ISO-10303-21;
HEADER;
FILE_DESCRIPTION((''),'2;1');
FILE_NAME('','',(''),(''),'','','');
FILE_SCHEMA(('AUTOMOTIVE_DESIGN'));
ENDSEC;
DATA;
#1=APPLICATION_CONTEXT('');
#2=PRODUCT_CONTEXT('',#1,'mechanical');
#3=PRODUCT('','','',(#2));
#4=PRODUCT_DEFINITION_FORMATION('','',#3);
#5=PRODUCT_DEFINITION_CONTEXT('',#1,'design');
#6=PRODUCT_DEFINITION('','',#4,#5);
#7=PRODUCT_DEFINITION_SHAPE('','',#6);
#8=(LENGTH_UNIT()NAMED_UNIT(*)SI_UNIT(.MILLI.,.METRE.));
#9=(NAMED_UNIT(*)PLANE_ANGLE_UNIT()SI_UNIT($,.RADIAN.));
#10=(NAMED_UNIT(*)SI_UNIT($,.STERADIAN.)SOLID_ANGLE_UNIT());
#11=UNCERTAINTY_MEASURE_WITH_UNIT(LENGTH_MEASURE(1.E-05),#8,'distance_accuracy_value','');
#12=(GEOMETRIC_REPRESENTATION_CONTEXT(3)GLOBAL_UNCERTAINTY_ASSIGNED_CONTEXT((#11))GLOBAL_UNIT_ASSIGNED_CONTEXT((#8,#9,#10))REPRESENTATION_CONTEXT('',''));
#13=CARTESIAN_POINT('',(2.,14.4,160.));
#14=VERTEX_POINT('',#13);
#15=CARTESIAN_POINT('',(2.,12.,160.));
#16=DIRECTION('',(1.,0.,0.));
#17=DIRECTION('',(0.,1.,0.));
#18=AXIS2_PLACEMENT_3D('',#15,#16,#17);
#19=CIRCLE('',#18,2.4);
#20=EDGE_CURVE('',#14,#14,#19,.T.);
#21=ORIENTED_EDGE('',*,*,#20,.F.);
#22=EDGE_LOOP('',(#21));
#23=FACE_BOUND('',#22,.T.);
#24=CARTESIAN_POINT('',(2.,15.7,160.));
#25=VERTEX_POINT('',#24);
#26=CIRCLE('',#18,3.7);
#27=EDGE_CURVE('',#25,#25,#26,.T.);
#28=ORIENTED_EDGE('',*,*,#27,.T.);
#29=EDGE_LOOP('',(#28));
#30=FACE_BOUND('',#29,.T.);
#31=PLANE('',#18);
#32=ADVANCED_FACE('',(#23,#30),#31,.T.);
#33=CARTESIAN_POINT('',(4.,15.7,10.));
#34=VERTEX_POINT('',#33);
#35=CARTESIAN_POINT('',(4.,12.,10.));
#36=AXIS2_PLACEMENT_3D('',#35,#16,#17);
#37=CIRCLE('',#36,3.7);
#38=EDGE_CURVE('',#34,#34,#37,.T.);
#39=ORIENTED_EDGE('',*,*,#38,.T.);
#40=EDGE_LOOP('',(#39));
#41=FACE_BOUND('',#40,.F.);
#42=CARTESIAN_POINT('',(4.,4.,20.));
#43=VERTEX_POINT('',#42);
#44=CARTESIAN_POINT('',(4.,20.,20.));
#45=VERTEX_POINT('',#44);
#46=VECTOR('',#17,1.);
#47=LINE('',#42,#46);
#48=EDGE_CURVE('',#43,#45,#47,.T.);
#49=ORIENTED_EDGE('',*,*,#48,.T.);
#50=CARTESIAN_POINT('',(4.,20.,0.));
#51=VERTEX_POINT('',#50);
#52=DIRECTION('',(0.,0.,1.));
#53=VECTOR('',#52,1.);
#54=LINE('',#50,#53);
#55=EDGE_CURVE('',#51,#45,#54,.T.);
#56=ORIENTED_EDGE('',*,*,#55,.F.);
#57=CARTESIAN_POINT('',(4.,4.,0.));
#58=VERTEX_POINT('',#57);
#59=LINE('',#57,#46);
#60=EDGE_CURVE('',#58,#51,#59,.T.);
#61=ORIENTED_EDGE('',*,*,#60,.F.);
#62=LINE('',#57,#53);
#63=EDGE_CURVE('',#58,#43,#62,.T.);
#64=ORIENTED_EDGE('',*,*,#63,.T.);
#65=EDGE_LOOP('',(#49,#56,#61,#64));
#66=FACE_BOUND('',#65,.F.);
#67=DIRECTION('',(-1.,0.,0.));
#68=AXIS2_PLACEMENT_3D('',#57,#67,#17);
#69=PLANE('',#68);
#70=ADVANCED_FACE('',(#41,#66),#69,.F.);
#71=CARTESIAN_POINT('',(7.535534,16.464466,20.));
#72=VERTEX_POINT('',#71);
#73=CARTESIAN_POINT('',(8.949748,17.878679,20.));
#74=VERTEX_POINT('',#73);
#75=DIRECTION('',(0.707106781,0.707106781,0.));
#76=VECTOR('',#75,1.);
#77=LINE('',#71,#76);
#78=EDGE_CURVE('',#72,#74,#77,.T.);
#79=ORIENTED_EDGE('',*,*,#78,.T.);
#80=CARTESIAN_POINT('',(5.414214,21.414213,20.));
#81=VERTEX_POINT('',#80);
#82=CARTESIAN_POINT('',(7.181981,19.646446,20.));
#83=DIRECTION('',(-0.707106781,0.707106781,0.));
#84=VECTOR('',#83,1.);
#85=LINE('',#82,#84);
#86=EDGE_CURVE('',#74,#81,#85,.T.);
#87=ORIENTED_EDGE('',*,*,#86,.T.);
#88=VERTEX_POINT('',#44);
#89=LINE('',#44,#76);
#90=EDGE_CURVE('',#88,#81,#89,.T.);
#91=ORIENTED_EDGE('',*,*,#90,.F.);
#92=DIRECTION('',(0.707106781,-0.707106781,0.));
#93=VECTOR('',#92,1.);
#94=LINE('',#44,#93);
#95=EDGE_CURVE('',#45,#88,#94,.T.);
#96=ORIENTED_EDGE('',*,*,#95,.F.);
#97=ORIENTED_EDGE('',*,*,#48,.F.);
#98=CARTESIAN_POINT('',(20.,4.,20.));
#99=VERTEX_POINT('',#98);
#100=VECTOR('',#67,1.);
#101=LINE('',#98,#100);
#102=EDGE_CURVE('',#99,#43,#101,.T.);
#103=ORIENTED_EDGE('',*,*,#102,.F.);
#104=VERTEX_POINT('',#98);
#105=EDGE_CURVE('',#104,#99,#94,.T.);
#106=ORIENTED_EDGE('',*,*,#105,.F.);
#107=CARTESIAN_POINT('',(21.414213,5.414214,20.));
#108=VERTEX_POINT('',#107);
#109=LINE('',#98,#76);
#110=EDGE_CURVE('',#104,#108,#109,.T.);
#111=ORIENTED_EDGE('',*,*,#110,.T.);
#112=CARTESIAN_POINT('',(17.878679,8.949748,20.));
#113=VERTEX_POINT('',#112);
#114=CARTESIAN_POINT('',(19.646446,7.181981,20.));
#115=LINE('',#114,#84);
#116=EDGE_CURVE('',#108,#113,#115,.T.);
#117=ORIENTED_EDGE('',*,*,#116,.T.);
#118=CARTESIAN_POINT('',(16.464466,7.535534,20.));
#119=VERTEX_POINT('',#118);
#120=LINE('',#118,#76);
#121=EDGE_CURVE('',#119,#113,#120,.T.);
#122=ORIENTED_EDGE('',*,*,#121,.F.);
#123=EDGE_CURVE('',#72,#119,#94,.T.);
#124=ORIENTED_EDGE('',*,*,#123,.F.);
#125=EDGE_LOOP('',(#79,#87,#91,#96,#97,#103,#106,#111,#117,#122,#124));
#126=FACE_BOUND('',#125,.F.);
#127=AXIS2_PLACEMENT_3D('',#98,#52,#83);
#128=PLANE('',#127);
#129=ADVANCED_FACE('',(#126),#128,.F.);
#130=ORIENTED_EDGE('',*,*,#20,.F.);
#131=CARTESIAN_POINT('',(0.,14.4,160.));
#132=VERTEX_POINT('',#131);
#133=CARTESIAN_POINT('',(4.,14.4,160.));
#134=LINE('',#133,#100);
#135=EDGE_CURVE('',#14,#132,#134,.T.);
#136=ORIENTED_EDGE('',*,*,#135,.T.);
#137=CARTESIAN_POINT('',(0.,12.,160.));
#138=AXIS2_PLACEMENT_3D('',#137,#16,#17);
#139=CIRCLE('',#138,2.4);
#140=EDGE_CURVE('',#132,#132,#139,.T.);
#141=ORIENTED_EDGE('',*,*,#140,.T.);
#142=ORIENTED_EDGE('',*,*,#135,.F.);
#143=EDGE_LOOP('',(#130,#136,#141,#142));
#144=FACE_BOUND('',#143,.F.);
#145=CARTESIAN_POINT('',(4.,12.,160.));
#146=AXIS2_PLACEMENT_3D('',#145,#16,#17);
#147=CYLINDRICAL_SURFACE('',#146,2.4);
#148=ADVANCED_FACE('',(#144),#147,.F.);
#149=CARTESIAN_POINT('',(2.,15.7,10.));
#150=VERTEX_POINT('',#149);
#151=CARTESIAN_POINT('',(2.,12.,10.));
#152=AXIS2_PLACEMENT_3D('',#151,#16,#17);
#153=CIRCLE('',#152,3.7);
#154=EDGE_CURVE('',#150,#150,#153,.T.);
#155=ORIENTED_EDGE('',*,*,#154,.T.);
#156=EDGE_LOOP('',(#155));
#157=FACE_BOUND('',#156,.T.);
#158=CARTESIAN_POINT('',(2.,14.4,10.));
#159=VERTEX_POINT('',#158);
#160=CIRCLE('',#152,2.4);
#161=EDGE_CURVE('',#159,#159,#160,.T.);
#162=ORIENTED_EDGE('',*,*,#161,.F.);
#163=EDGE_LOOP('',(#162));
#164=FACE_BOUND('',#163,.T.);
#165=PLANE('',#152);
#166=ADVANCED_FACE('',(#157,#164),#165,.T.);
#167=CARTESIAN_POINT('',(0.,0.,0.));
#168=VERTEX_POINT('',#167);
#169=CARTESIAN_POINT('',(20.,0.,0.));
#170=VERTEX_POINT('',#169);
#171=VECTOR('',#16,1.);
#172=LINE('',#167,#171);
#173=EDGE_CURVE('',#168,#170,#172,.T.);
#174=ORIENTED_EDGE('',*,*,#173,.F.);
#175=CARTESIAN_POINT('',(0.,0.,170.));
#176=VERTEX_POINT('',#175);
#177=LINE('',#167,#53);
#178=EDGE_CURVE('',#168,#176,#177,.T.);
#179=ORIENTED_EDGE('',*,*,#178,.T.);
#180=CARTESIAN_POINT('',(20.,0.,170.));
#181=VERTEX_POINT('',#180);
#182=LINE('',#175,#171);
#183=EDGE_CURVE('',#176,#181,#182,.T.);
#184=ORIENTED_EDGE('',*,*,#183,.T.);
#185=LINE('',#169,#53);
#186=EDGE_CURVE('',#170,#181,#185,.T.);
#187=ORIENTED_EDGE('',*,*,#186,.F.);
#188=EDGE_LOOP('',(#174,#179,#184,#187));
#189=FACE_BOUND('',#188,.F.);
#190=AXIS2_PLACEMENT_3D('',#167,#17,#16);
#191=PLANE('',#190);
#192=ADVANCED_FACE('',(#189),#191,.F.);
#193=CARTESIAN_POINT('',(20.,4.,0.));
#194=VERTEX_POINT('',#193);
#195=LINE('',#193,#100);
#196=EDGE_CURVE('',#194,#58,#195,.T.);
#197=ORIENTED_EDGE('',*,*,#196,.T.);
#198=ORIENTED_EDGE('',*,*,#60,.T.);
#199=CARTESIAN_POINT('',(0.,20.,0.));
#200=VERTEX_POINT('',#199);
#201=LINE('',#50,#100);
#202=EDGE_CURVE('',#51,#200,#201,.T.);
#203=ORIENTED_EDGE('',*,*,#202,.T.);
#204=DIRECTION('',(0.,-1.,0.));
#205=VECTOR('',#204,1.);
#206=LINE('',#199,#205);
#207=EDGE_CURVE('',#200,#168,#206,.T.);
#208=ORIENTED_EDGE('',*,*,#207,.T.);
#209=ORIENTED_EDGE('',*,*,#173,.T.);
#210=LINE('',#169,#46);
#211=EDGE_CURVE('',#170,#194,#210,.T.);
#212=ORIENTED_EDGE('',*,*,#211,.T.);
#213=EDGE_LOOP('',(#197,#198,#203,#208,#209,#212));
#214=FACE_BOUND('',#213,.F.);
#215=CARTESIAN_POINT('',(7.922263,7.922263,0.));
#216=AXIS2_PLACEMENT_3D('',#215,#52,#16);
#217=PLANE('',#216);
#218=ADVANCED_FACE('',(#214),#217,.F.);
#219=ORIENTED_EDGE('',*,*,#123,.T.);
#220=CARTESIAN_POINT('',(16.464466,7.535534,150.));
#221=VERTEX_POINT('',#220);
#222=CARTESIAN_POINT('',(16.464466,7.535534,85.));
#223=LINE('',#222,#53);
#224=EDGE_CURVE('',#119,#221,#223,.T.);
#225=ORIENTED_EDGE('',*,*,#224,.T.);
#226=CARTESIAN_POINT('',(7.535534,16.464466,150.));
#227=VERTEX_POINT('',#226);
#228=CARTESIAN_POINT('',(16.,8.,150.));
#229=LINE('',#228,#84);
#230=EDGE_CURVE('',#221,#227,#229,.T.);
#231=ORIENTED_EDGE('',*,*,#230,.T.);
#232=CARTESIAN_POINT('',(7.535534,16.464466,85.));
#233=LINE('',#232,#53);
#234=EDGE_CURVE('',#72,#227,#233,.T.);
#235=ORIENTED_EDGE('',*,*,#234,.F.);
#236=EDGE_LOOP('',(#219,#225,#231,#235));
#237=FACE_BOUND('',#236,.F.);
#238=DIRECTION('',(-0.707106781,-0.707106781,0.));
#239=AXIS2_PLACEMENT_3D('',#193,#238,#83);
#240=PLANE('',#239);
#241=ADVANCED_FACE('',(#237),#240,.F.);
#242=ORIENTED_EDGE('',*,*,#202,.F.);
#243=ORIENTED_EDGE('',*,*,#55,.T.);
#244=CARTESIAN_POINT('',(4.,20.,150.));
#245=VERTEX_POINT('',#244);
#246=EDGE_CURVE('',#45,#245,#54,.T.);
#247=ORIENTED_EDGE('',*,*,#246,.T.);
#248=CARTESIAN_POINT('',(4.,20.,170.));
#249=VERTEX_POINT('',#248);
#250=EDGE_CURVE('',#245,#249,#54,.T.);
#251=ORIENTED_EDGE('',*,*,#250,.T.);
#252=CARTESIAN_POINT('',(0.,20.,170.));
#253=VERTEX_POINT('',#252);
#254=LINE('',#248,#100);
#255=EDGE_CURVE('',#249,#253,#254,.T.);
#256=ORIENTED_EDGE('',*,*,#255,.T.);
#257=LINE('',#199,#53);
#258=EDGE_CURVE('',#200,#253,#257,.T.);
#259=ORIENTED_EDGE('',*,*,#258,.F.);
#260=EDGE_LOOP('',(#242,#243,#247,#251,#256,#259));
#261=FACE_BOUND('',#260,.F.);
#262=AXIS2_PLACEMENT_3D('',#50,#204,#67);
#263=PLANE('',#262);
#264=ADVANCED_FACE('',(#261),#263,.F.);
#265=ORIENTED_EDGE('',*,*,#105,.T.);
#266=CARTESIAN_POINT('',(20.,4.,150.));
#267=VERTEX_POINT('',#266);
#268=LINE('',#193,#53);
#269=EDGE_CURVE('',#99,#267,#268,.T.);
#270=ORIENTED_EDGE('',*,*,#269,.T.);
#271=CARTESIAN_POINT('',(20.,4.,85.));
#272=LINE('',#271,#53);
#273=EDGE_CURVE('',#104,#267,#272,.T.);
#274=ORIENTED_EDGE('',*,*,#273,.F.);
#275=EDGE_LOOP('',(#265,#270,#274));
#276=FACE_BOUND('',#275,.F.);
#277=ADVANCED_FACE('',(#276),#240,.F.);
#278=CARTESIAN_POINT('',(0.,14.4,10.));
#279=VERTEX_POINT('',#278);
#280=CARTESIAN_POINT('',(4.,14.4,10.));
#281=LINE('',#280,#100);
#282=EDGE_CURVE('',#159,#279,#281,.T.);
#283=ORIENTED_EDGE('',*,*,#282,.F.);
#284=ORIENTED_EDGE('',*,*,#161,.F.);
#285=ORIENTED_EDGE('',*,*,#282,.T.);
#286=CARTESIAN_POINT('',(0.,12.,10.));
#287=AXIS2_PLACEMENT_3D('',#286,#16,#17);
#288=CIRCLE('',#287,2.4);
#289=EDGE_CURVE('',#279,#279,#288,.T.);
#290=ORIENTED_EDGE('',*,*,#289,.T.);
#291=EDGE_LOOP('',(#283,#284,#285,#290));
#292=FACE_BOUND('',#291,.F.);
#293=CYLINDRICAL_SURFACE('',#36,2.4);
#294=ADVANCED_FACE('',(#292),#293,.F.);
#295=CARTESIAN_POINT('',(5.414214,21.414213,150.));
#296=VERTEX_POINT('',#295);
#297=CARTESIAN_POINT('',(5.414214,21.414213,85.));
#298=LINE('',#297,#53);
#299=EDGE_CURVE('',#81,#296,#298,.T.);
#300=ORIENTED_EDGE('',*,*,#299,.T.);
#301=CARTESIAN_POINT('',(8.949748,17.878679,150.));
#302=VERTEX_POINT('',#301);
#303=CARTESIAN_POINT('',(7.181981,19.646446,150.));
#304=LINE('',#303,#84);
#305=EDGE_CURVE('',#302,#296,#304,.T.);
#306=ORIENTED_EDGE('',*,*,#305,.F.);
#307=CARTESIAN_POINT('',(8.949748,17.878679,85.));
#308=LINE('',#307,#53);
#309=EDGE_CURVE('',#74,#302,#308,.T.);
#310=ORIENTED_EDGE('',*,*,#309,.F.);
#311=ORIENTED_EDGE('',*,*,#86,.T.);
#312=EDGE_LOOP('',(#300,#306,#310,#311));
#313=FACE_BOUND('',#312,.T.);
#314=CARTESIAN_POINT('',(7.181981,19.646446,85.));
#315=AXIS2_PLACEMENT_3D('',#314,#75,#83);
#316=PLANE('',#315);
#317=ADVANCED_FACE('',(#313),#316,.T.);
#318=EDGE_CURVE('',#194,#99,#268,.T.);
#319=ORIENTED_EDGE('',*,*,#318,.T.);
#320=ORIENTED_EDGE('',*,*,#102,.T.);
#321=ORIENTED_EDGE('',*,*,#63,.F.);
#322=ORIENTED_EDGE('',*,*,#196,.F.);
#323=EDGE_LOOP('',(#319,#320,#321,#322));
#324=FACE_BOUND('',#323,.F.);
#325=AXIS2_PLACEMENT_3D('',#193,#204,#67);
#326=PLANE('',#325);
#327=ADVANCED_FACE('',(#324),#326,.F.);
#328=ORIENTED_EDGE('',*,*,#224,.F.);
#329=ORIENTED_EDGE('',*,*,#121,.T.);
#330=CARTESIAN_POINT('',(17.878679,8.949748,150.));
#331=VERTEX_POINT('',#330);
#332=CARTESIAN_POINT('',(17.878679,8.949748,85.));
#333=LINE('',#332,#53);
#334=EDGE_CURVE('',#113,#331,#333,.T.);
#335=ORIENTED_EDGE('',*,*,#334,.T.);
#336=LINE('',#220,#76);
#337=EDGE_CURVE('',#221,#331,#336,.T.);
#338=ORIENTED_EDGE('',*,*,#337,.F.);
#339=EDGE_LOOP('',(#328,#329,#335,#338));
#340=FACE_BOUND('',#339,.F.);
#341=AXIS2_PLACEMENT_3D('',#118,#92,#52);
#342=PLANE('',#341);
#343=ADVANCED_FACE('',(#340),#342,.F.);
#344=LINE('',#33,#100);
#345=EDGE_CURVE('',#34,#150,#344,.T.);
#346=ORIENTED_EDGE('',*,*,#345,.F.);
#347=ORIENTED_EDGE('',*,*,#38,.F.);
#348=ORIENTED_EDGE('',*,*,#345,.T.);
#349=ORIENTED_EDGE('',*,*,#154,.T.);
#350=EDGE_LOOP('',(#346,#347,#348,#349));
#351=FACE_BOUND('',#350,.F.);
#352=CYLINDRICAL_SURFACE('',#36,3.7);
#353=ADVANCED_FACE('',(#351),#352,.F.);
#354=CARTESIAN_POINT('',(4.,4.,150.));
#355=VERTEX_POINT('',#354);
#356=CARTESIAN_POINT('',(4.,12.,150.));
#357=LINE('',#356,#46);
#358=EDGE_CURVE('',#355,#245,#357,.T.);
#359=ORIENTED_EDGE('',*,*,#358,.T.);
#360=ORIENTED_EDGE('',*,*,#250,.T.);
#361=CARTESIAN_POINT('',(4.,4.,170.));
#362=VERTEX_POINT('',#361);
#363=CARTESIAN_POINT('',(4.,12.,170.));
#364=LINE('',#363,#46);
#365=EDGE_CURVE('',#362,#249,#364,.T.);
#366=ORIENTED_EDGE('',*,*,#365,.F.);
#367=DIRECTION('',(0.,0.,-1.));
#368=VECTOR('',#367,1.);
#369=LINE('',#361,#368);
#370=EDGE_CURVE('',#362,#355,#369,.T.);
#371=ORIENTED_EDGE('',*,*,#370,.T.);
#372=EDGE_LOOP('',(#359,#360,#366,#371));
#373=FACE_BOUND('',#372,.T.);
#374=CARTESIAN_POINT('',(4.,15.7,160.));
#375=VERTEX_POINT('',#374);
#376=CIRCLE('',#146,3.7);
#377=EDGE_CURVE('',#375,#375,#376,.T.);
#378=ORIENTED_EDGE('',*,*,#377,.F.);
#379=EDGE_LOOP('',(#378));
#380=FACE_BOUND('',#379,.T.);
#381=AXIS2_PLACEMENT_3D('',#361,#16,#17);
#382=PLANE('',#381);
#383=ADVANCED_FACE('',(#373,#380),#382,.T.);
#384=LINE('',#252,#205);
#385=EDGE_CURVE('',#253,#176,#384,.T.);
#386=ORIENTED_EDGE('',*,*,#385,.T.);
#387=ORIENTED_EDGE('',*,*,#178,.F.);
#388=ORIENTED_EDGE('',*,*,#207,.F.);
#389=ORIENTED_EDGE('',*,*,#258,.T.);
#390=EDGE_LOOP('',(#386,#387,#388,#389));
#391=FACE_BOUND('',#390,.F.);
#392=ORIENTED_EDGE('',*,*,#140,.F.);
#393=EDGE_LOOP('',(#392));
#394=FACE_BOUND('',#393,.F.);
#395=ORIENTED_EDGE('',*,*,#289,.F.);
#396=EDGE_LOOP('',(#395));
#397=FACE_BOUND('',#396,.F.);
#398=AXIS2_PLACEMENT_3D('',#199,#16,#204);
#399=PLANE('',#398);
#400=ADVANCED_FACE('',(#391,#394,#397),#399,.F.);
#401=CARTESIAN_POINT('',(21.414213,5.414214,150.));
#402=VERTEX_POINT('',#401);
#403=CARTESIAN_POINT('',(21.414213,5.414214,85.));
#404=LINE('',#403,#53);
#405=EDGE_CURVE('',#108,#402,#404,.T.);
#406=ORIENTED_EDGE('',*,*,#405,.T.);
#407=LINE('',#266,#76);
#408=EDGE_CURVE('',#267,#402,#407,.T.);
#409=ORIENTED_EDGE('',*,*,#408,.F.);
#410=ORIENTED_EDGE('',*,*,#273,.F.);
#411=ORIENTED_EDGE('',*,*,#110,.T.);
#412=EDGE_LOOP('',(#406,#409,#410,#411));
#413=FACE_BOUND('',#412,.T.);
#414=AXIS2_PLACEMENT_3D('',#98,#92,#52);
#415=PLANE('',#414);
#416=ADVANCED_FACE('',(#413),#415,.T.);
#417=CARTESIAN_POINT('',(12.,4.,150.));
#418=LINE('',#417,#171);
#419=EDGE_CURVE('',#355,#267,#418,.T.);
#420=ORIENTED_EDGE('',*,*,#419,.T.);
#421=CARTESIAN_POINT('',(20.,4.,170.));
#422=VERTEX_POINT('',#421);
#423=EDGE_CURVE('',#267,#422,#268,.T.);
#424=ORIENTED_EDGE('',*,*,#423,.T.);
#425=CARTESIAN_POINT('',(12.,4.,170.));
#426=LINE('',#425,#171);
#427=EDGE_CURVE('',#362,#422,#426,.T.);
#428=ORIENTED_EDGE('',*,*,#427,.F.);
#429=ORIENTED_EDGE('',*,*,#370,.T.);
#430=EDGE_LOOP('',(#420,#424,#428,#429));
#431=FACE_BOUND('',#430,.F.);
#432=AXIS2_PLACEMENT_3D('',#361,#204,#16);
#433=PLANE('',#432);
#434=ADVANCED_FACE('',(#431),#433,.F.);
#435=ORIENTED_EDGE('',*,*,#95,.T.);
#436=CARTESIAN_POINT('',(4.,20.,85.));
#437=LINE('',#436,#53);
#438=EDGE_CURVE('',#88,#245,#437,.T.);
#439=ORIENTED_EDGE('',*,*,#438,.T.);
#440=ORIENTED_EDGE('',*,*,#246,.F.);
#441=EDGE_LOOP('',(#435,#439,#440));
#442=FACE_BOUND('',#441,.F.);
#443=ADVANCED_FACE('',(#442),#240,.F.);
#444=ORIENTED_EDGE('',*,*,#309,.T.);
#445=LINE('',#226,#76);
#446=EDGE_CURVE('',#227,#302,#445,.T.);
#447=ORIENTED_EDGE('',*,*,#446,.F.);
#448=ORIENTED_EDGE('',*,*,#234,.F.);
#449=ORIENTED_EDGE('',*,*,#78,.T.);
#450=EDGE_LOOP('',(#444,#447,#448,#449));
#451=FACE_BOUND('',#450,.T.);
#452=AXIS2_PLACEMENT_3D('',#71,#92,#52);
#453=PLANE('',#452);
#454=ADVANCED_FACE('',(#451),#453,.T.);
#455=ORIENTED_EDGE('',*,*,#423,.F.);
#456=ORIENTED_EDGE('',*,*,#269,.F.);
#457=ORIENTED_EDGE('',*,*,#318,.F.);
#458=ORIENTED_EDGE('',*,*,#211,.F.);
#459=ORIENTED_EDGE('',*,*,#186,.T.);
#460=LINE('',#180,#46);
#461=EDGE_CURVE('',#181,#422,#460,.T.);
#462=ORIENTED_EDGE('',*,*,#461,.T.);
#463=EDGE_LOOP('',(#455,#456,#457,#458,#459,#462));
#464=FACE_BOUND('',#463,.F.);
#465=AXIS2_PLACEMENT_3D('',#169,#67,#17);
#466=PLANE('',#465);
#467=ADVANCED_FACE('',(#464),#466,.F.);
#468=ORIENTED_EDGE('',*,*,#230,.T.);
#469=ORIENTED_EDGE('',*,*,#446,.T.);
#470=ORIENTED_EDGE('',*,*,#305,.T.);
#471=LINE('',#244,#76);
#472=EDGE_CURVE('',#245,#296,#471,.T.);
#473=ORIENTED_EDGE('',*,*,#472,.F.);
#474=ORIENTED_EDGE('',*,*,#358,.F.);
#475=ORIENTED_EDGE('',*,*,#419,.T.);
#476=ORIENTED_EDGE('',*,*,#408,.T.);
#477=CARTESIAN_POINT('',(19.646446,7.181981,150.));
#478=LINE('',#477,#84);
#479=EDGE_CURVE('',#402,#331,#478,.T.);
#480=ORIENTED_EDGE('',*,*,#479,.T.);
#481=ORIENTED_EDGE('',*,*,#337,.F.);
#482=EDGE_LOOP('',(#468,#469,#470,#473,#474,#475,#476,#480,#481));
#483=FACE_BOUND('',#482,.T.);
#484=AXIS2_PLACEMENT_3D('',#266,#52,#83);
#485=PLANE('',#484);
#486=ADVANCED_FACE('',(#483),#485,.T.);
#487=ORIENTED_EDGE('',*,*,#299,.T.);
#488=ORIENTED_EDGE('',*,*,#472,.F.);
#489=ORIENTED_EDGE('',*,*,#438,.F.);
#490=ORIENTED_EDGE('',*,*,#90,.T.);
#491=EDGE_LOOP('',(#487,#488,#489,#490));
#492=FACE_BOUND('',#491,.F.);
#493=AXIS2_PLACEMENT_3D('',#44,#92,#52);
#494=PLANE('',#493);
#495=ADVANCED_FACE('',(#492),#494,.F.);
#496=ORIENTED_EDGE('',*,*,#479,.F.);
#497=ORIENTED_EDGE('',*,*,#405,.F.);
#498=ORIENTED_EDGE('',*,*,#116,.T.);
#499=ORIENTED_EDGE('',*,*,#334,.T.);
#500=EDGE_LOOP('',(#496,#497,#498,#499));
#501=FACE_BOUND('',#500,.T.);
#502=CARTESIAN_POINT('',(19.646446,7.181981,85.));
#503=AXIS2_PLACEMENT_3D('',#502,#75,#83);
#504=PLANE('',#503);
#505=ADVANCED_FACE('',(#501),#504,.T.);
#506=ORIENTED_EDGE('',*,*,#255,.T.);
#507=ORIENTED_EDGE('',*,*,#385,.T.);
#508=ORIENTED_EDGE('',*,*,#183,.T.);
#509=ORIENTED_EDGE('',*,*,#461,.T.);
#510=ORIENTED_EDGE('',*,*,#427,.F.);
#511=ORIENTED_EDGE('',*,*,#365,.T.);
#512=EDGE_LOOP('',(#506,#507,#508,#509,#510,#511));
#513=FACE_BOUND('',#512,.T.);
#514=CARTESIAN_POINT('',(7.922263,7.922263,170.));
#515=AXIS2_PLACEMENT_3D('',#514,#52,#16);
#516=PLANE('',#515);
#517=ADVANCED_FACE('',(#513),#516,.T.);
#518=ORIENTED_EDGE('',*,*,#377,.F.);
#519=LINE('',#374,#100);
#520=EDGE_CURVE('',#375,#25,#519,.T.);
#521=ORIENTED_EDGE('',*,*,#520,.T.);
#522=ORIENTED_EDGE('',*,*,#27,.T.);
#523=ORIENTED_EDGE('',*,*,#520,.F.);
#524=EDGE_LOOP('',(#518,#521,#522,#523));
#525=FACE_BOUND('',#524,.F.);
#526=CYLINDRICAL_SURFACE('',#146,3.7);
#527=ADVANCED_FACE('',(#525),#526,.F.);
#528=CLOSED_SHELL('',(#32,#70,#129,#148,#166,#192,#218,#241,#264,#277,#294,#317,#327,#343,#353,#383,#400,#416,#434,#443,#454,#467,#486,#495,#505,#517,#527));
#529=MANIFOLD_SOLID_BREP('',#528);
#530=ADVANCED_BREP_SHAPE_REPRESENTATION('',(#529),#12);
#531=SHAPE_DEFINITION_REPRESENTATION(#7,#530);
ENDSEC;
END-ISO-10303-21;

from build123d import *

# Parameters (mm, degrees)
PAD_DEPTH       = 170
SKETCH001_W     = 16
SKETCH001_H     = 16
POCKET_DEPTH    = 20
POCKET001_DEPTH = 20
SKETCH005_R     = 3.7
POCKET002_DEPTH = 2
SKETCH006_R     = 2.4
POCKET003_DEPTH = 4
SKETCH007_W     = 5
SKETCH007_H     = 130
PAD001_DEPTH    = 2


with BuildPart() as part:
    # Sketch → Pad (new body)
    with BuildSketch(Plane.XY):
        Polygon((0, 20), (0, 0), (20, 0), (20, 4), (4, 20), align=None)
    extrude(amount=PAD_DEPTH)

    # Sketch001 (on Face7 of Pad) → Pocket (cut)
    with BuildSketch(Plane.XY.offset(170)):
        with Locations((12, 12)):
            Rectangle(SKETCH001_W, SKETCH001_H)
    extrude(amount=-POCKET_DEPTH, mode=Mode.SUBTRACT)

    # Sketch004 → Pocket001 (cut)
    with BuildSketch(Plane(origin=(0, 0, 0), x_dir=(1, 0, 0), z_dir=(0, 0, -1))):
        Polygon((4, -4), (4, -20), (20, -4), align=None)
    extrude(amount=-POCKET001_DEPTH, mode=Mode.SUBTRACT)

    # Sketch005 → Pocket002 (cut)
    with BuildSketch(Plane.YZ.offset(4)):
        with Locations((12, 160)):
            Circle(SKETCH005_R)
        with Locations((12, 10)):
            Circle(SKETCH005_R)
    extrude(amount=-POCKET002_DEPTH, mode=Mode.SUBTRACT)

    # Sketch006 → Pocket003 (cut)
    with BuildSketch(Plane.YZ.offset(4)):
        with Locations((12, 10)):
            Circle(SKETCH006_R)
        with Locations((12, 160)):
            Circle(SKETCH006_R)
    extrude(amount=-POCKET003_DEPTH, mode=Mode.SUBTRACT)

    # Sketch007 → Pad001 (join)
    with BuildSketch(Plane(origin=(12, 12, 0), x_dir=(-0.707107, 0.707107, 0), z_dir=(0.707107, 0.707107, 0))):
        with Locations((-8.813708, 85)):
            Rectangle(SKETCH007_W, SKETCH007_H)
        with Locations((8.813708, 85)):
            Rectangle(SKETCH007_W, SKETCH007_H)
    extrude(amount=PAD001_DEPTH)


solid = part.part
